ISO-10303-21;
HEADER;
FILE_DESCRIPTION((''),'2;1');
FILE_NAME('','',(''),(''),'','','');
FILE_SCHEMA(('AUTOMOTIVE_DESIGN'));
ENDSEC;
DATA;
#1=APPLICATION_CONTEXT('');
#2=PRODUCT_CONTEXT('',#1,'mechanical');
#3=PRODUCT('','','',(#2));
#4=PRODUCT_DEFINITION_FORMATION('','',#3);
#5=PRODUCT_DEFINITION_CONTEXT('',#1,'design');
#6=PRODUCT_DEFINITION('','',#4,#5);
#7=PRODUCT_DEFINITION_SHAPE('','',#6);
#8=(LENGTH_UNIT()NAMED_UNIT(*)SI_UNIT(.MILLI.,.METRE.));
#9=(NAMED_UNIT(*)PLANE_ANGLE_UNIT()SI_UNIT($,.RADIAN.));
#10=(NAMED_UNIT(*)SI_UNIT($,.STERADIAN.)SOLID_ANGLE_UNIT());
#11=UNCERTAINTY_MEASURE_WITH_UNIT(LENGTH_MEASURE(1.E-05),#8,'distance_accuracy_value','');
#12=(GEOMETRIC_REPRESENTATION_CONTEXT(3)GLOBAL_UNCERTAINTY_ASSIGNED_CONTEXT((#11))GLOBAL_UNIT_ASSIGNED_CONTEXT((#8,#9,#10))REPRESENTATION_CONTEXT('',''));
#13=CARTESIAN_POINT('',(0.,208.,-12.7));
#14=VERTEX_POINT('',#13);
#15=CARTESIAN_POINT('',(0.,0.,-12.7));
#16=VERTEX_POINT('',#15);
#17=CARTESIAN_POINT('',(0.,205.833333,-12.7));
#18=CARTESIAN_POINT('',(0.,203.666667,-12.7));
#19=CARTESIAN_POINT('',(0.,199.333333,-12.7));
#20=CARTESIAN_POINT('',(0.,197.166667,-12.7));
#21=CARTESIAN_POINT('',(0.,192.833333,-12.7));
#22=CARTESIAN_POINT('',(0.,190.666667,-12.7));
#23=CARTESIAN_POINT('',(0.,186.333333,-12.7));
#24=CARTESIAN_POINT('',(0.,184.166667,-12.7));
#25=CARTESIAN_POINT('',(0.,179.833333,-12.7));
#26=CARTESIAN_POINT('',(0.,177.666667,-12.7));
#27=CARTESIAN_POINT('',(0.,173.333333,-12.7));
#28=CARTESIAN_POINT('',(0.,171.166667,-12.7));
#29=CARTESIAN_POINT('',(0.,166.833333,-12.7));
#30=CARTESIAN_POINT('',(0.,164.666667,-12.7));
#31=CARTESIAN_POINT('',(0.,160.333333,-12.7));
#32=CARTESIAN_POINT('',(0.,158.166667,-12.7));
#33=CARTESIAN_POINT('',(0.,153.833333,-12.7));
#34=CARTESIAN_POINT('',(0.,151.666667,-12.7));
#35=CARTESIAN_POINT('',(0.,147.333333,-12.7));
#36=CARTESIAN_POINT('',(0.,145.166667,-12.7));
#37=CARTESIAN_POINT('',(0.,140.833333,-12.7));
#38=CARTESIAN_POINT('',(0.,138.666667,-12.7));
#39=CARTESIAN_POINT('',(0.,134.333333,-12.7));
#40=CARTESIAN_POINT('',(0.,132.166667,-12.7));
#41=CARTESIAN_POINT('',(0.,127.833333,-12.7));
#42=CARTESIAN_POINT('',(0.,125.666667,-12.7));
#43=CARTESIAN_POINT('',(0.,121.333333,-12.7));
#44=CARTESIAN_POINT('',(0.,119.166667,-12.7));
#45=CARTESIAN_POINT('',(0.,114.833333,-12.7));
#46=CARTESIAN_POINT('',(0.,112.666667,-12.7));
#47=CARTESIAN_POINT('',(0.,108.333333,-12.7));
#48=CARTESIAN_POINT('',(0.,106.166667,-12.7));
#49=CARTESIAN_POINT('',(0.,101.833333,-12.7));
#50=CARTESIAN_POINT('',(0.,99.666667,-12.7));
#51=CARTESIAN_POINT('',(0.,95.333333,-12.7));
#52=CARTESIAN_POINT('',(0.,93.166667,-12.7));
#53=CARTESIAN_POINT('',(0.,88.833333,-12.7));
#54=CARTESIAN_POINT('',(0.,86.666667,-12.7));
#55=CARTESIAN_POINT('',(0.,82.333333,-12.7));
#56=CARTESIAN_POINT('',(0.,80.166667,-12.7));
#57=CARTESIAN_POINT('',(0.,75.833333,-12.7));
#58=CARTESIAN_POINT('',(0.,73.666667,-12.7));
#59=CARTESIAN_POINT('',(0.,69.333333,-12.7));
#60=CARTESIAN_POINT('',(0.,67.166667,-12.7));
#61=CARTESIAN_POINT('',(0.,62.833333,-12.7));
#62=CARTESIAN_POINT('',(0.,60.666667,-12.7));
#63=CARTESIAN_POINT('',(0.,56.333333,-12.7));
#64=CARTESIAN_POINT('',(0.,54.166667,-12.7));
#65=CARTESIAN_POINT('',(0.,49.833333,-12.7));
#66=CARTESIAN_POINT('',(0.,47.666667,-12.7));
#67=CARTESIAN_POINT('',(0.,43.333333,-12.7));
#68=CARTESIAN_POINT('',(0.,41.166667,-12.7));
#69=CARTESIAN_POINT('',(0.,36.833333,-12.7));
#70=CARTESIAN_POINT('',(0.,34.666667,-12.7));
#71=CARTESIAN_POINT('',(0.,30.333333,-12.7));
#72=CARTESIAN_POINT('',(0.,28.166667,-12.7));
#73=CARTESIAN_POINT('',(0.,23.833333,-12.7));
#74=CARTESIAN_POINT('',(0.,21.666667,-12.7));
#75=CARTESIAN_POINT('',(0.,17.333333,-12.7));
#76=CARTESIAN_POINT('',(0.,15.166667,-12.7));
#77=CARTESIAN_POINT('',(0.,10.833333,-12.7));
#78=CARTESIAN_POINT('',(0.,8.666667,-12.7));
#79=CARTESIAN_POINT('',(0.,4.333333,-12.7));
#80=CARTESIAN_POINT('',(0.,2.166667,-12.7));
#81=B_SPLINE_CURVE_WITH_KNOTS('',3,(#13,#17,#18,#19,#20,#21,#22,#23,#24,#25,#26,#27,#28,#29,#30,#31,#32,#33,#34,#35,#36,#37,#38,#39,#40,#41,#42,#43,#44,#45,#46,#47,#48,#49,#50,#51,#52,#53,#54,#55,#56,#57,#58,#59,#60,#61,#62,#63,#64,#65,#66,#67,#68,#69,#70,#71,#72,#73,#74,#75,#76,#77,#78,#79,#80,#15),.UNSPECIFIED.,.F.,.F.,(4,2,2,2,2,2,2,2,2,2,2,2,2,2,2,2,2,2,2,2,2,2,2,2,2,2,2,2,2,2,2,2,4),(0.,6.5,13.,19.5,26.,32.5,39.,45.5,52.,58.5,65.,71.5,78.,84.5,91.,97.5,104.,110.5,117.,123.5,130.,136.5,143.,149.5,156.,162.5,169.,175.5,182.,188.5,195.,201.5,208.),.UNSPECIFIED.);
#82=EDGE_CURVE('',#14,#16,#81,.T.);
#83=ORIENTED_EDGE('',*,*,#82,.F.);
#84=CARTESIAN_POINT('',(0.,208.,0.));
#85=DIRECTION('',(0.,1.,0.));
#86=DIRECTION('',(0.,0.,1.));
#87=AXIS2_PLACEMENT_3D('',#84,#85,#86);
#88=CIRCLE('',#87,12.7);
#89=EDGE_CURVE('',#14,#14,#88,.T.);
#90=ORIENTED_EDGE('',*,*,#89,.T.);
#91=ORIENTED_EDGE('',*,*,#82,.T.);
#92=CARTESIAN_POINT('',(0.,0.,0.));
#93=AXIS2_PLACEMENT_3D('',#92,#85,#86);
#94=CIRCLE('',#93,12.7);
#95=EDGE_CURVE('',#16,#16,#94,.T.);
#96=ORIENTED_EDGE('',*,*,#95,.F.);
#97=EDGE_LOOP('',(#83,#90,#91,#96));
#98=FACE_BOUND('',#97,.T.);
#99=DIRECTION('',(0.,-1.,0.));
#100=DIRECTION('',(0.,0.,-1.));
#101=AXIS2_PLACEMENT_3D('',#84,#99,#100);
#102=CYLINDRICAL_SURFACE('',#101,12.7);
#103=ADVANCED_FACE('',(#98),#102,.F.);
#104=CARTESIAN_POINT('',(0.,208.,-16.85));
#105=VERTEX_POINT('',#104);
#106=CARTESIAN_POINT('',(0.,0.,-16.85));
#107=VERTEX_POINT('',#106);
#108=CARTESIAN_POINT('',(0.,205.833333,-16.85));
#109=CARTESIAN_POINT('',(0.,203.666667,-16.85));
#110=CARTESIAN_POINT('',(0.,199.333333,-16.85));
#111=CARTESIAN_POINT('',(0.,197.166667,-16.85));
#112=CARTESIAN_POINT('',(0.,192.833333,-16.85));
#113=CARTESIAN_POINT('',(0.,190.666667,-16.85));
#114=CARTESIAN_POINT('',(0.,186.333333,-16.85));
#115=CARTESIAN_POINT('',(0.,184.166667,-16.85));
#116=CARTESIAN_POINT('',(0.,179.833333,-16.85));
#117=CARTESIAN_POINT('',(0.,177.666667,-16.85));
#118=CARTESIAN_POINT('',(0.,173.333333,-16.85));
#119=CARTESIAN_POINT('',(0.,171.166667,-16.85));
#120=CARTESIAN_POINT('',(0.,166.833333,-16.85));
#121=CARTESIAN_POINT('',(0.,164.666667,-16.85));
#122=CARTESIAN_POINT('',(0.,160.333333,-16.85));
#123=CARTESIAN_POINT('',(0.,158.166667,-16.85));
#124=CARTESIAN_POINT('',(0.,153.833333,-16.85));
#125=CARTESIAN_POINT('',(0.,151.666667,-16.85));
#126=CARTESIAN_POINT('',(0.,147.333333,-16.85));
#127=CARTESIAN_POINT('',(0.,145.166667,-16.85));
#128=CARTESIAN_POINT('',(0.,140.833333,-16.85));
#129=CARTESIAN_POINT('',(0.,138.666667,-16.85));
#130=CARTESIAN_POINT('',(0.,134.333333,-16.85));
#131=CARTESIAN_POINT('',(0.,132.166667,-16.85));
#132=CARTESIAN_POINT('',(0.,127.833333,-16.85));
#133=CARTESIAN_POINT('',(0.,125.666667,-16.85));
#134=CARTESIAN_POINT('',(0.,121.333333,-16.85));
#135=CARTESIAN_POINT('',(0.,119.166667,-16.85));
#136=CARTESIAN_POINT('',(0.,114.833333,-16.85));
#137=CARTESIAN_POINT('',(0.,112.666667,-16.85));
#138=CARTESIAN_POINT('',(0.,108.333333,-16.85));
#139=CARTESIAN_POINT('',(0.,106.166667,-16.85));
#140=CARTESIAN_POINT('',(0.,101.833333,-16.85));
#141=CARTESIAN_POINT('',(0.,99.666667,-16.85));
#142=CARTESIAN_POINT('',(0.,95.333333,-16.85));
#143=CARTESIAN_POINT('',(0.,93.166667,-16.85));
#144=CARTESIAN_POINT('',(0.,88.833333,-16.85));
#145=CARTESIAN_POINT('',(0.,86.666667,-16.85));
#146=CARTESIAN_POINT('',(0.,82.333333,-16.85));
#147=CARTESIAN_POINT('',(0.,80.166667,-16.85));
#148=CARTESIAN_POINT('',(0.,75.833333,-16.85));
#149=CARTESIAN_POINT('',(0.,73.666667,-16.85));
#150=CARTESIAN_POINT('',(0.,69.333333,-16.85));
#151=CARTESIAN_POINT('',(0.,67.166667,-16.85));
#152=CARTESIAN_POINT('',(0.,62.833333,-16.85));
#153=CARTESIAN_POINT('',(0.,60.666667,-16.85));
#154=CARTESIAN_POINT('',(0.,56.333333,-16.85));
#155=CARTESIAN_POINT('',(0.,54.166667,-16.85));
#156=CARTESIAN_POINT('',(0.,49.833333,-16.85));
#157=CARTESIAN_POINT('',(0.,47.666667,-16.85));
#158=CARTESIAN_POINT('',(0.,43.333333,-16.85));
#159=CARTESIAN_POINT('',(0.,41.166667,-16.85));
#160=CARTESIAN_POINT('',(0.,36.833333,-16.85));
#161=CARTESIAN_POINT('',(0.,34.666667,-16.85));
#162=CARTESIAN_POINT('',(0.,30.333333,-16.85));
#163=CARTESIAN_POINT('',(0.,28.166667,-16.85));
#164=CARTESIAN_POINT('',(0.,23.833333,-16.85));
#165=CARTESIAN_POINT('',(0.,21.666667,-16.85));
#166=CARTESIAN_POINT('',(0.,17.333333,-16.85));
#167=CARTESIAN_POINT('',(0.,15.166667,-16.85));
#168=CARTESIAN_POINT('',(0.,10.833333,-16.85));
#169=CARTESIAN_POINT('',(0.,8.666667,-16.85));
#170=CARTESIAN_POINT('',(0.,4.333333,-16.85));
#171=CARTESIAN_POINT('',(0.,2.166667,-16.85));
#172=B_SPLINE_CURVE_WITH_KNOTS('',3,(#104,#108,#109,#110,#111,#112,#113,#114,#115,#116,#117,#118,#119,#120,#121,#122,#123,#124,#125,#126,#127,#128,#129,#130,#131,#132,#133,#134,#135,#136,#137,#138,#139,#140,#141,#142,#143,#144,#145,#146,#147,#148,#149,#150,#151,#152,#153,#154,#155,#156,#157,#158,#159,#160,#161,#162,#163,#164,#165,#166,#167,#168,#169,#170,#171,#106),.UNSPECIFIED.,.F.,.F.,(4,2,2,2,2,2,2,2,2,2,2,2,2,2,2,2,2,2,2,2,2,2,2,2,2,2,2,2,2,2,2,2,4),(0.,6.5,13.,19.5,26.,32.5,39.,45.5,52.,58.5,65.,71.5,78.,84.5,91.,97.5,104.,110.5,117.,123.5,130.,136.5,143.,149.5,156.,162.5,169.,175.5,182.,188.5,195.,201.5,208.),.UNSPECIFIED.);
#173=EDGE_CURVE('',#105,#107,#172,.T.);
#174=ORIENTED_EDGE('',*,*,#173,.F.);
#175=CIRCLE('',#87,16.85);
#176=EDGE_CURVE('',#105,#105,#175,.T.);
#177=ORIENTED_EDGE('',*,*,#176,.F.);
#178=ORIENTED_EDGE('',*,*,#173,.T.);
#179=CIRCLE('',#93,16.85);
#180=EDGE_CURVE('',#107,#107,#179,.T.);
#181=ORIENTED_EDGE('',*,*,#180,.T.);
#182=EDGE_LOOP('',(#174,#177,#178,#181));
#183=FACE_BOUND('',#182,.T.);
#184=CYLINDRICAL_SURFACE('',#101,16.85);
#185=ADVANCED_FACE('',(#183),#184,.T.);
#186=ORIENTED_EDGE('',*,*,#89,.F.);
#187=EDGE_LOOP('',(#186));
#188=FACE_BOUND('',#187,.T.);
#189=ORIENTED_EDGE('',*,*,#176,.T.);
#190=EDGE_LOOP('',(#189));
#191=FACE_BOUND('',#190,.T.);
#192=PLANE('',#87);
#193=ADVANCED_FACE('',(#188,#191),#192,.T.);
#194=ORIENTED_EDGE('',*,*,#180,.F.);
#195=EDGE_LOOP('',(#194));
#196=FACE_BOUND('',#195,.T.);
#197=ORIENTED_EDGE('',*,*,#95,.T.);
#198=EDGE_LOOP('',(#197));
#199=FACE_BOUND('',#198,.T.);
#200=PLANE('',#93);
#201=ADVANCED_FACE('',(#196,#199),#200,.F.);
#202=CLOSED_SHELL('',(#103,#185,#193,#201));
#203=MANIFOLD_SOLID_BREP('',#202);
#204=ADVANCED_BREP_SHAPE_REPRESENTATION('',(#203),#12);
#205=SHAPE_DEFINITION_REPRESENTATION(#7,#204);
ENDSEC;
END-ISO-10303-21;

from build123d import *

# Parameters (mm, degrees)
SZKIC1_R                    = 16.85
SZKIC1_R_2                  = 12.7
DODANIE_WYCI_GNI_CIE1_DEPTH = 208


with BuildPart() as part:
    # Szkic1 → Dodanie-wyciągnięcie1 (new body)
    with BuildSketch(Plane(origin=(0, 0, 0), x_dir=(1, 0, 0), z_dir=(0, 1, 0))):
        with Locations(Location((0, 0, 0), (0, 0, 90))):
            Circle(SZKIC1_R)
        with Locations(Location((0, 0, 0), (0, 0, 90))):
            Circle(SZKIC1_R_2, mode=Mode.SUBTRACT)
    extrude(amount=DODANIE_WYCI_GNI_CIE1_DEPTH)


solid = part.part
